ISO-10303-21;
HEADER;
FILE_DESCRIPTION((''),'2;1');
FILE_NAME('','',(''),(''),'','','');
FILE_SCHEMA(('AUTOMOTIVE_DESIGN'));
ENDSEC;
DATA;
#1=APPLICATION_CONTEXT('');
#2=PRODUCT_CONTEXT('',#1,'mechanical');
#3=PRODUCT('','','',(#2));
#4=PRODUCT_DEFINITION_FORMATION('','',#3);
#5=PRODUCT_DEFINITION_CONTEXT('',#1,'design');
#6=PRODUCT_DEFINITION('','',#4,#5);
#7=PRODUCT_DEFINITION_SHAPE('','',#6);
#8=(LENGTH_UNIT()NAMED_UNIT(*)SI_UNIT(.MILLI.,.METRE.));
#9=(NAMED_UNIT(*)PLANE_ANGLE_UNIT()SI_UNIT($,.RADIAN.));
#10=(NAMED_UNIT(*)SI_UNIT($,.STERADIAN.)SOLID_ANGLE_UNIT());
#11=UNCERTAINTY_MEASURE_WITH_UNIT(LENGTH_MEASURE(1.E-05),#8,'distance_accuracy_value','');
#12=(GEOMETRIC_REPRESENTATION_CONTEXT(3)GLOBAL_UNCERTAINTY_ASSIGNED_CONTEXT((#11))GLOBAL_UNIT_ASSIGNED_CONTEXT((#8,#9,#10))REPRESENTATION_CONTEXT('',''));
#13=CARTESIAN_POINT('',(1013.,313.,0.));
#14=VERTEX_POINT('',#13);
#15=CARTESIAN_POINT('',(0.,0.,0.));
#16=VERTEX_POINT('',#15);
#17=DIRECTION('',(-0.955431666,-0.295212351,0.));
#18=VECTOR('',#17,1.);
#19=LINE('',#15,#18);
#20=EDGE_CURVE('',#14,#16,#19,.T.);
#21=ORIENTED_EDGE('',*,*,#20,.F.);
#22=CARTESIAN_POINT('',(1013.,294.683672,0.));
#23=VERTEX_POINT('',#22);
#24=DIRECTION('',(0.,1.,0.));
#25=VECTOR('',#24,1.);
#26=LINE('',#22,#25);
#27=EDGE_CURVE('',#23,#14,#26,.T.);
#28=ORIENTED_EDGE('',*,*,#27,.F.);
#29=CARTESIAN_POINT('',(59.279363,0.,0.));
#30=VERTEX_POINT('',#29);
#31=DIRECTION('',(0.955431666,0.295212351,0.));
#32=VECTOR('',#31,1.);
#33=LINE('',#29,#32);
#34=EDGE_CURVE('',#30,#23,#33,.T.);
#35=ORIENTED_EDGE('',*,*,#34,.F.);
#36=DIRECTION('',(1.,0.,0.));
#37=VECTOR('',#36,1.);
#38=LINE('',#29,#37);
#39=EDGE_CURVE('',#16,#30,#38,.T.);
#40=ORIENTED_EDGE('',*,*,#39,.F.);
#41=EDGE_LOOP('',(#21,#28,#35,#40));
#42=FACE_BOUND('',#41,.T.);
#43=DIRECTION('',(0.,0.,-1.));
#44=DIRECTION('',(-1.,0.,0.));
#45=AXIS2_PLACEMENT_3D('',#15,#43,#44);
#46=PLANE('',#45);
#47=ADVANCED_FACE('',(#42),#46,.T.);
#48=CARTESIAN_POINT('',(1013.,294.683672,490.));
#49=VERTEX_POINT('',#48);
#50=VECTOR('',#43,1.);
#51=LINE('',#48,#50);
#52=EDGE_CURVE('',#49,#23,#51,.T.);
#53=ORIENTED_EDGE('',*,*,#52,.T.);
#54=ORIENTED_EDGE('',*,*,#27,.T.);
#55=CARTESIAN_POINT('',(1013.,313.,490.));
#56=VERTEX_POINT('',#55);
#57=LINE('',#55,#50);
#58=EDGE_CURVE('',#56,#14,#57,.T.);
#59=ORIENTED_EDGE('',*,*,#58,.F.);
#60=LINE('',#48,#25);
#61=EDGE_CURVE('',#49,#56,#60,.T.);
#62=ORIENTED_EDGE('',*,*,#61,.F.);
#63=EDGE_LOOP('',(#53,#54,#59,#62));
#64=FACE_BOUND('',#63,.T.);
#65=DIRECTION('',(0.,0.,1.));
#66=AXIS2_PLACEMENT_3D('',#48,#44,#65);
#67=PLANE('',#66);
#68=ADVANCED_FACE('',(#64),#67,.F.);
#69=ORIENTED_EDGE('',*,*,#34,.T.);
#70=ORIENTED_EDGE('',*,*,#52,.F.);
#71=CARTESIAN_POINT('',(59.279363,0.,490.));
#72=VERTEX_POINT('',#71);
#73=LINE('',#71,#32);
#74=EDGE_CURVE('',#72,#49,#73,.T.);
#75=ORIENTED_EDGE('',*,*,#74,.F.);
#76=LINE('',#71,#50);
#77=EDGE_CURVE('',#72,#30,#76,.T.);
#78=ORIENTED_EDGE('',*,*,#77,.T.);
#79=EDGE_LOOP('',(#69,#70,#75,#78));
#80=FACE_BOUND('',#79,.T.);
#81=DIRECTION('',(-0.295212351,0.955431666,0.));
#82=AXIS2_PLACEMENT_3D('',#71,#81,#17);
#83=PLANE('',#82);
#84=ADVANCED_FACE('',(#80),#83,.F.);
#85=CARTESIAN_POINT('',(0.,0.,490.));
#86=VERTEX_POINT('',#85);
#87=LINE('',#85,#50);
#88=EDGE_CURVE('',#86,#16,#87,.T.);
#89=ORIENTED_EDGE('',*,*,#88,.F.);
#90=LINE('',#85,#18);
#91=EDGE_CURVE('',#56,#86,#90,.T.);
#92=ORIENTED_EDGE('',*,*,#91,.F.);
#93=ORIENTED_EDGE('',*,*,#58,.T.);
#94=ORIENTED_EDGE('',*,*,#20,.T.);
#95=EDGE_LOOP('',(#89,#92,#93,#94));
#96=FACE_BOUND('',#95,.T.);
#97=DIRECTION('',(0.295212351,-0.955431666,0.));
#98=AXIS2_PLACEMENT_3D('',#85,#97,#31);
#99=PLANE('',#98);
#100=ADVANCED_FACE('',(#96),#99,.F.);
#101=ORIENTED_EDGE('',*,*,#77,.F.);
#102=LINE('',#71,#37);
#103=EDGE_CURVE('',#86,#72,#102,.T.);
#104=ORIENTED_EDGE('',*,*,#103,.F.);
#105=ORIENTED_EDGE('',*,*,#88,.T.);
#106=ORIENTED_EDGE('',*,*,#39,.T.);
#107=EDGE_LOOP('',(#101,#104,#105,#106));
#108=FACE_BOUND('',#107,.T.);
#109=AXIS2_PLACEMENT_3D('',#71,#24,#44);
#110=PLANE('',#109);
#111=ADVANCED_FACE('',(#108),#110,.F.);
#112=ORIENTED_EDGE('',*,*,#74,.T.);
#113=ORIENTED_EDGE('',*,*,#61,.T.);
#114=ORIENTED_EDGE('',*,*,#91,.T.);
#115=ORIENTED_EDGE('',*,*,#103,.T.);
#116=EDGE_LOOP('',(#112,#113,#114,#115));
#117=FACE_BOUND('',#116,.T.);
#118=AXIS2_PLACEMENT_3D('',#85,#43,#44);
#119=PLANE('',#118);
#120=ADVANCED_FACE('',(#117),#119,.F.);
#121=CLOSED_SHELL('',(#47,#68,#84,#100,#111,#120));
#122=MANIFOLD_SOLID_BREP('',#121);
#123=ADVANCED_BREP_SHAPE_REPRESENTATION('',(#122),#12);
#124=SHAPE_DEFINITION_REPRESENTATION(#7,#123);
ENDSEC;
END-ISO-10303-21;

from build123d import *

# Parameters (mm, degrees)
BOSS_EXTRUDE1_DEPTH = 490


with BuildPart() as part:
    # Sketch1 → Boss-Extrude1 (new body)
    with BuildSketch(Plane.XY):
        Polygon((0, 0), (1013, 313), (1013, 294.683671761), (59.27936264, 0), align=None)
    extrude(amount=BOSS_EXTRUDE1_DEPTH)


solid = part.part
